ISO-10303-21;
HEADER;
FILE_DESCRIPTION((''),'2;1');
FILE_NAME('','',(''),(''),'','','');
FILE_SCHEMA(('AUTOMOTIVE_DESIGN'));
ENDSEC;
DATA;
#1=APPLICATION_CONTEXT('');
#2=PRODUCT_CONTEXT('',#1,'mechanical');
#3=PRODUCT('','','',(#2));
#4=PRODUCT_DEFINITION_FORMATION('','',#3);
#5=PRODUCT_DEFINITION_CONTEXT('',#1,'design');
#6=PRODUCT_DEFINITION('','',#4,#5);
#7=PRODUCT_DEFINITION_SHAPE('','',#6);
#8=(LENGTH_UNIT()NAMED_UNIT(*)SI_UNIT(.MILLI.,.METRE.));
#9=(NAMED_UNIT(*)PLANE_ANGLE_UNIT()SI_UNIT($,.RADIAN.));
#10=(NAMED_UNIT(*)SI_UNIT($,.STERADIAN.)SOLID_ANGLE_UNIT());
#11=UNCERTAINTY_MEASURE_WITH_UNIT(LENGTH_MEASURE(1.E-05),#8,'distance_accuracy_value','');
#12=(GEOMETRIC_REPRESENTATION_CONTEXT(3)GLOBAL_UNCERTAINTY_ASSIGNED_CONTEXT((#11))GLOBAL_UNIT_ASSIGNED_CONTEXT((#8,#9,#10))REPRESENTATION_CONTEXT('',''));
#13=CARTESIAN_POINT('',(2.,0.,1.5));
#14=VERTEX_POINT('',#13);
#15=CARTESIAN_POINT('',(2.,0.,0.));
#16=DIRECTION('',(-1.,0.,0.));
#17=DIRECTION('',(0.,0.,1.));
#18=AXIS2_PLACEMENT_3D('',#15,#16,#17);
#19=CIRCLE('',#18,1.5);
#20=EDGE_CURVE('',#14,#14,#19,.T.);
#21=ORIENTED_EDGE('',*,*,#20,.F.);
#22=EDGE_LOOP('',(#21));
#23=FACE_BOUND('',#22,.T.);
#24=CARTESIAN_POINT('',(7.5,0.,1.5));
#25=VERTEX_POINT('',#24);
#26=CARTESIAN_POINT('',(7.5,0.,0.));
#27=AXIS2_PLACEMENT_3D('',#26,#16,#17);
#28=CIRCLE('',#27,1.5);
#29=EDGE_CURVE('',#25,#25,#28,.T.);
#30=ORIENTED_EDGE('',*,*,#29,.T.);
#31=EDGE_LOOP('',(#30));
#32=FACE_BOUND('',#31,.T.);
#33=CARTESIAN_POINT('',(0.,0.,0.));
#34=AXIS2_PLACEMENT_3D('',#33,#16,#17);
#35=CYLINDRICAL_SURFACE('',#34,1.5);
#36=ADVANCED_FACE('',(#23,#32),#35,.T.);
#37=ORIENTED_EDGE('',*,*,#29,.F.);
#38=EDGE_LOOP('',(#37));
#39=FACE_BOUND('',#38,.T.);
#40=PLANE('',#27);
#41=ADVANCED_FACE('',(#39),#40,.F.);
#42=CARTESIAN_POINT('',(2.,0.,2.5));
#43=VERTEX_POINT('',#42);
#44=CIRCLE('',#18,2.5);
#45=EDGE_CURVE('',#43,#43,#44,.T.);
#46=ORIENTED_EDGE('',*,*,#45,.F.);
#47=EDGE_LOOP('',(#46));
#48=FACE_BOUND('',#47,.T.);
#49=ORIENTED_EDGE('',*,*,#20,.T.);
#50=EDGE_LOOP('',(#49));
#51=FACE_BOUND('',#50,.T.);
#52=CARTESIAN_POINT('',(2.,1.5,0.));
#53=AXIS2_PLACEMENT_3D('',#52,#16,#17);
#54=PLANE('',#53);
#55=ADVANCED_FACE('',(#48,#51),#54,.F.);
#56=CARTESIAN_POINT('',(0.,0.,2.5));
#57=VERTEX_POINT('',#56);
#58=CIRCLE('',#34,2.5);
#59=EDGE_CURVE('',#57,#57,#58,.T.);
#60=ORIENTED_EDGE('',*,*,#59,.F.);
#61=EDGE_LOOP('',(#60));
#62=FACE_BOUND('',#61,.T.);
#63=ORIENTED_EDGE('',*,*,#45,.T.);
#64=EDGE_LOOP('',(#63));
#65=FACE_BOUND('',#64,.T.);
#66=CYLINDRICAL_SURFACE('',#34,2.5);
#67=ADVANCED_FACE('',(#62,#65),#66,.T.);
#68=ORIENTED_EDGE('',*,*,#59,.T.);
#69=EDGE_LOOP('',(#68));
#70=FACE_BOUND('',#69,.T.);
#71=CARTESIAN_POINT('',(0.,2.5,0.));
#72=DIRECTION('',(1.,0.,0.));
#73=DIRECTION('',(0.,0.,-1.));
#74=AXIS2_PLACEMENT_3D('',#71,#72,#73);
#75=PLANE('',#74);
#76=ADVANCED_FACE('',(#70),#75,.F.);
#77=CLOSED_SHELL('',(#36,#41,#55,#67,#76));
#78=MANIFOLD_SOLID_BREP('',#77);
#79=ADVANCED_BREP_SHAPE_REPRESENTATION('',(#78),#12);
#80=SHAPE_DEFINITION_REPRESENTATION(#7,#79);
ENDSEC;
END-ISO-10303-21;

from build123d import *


with BuildPart() as part:
    # Sketch1 → Revolve1 (revolve)
    with BuildSketch(Plane.XY, mode=Mode.PRIVATE) as revolve1_sk:
        Polygon((7.5, 0), (7.5, 1.5), (2, 1.5), (2, 2.5), (0, 2.5), (0, 0), align=None)
    revolve(revolve1_sk.sketch.rotate(Axis((0, 0, 0), (1, 0, 0)), 90), axis=Axis((0, 0, 0), (1, 0, 0)))


solid = part.part
